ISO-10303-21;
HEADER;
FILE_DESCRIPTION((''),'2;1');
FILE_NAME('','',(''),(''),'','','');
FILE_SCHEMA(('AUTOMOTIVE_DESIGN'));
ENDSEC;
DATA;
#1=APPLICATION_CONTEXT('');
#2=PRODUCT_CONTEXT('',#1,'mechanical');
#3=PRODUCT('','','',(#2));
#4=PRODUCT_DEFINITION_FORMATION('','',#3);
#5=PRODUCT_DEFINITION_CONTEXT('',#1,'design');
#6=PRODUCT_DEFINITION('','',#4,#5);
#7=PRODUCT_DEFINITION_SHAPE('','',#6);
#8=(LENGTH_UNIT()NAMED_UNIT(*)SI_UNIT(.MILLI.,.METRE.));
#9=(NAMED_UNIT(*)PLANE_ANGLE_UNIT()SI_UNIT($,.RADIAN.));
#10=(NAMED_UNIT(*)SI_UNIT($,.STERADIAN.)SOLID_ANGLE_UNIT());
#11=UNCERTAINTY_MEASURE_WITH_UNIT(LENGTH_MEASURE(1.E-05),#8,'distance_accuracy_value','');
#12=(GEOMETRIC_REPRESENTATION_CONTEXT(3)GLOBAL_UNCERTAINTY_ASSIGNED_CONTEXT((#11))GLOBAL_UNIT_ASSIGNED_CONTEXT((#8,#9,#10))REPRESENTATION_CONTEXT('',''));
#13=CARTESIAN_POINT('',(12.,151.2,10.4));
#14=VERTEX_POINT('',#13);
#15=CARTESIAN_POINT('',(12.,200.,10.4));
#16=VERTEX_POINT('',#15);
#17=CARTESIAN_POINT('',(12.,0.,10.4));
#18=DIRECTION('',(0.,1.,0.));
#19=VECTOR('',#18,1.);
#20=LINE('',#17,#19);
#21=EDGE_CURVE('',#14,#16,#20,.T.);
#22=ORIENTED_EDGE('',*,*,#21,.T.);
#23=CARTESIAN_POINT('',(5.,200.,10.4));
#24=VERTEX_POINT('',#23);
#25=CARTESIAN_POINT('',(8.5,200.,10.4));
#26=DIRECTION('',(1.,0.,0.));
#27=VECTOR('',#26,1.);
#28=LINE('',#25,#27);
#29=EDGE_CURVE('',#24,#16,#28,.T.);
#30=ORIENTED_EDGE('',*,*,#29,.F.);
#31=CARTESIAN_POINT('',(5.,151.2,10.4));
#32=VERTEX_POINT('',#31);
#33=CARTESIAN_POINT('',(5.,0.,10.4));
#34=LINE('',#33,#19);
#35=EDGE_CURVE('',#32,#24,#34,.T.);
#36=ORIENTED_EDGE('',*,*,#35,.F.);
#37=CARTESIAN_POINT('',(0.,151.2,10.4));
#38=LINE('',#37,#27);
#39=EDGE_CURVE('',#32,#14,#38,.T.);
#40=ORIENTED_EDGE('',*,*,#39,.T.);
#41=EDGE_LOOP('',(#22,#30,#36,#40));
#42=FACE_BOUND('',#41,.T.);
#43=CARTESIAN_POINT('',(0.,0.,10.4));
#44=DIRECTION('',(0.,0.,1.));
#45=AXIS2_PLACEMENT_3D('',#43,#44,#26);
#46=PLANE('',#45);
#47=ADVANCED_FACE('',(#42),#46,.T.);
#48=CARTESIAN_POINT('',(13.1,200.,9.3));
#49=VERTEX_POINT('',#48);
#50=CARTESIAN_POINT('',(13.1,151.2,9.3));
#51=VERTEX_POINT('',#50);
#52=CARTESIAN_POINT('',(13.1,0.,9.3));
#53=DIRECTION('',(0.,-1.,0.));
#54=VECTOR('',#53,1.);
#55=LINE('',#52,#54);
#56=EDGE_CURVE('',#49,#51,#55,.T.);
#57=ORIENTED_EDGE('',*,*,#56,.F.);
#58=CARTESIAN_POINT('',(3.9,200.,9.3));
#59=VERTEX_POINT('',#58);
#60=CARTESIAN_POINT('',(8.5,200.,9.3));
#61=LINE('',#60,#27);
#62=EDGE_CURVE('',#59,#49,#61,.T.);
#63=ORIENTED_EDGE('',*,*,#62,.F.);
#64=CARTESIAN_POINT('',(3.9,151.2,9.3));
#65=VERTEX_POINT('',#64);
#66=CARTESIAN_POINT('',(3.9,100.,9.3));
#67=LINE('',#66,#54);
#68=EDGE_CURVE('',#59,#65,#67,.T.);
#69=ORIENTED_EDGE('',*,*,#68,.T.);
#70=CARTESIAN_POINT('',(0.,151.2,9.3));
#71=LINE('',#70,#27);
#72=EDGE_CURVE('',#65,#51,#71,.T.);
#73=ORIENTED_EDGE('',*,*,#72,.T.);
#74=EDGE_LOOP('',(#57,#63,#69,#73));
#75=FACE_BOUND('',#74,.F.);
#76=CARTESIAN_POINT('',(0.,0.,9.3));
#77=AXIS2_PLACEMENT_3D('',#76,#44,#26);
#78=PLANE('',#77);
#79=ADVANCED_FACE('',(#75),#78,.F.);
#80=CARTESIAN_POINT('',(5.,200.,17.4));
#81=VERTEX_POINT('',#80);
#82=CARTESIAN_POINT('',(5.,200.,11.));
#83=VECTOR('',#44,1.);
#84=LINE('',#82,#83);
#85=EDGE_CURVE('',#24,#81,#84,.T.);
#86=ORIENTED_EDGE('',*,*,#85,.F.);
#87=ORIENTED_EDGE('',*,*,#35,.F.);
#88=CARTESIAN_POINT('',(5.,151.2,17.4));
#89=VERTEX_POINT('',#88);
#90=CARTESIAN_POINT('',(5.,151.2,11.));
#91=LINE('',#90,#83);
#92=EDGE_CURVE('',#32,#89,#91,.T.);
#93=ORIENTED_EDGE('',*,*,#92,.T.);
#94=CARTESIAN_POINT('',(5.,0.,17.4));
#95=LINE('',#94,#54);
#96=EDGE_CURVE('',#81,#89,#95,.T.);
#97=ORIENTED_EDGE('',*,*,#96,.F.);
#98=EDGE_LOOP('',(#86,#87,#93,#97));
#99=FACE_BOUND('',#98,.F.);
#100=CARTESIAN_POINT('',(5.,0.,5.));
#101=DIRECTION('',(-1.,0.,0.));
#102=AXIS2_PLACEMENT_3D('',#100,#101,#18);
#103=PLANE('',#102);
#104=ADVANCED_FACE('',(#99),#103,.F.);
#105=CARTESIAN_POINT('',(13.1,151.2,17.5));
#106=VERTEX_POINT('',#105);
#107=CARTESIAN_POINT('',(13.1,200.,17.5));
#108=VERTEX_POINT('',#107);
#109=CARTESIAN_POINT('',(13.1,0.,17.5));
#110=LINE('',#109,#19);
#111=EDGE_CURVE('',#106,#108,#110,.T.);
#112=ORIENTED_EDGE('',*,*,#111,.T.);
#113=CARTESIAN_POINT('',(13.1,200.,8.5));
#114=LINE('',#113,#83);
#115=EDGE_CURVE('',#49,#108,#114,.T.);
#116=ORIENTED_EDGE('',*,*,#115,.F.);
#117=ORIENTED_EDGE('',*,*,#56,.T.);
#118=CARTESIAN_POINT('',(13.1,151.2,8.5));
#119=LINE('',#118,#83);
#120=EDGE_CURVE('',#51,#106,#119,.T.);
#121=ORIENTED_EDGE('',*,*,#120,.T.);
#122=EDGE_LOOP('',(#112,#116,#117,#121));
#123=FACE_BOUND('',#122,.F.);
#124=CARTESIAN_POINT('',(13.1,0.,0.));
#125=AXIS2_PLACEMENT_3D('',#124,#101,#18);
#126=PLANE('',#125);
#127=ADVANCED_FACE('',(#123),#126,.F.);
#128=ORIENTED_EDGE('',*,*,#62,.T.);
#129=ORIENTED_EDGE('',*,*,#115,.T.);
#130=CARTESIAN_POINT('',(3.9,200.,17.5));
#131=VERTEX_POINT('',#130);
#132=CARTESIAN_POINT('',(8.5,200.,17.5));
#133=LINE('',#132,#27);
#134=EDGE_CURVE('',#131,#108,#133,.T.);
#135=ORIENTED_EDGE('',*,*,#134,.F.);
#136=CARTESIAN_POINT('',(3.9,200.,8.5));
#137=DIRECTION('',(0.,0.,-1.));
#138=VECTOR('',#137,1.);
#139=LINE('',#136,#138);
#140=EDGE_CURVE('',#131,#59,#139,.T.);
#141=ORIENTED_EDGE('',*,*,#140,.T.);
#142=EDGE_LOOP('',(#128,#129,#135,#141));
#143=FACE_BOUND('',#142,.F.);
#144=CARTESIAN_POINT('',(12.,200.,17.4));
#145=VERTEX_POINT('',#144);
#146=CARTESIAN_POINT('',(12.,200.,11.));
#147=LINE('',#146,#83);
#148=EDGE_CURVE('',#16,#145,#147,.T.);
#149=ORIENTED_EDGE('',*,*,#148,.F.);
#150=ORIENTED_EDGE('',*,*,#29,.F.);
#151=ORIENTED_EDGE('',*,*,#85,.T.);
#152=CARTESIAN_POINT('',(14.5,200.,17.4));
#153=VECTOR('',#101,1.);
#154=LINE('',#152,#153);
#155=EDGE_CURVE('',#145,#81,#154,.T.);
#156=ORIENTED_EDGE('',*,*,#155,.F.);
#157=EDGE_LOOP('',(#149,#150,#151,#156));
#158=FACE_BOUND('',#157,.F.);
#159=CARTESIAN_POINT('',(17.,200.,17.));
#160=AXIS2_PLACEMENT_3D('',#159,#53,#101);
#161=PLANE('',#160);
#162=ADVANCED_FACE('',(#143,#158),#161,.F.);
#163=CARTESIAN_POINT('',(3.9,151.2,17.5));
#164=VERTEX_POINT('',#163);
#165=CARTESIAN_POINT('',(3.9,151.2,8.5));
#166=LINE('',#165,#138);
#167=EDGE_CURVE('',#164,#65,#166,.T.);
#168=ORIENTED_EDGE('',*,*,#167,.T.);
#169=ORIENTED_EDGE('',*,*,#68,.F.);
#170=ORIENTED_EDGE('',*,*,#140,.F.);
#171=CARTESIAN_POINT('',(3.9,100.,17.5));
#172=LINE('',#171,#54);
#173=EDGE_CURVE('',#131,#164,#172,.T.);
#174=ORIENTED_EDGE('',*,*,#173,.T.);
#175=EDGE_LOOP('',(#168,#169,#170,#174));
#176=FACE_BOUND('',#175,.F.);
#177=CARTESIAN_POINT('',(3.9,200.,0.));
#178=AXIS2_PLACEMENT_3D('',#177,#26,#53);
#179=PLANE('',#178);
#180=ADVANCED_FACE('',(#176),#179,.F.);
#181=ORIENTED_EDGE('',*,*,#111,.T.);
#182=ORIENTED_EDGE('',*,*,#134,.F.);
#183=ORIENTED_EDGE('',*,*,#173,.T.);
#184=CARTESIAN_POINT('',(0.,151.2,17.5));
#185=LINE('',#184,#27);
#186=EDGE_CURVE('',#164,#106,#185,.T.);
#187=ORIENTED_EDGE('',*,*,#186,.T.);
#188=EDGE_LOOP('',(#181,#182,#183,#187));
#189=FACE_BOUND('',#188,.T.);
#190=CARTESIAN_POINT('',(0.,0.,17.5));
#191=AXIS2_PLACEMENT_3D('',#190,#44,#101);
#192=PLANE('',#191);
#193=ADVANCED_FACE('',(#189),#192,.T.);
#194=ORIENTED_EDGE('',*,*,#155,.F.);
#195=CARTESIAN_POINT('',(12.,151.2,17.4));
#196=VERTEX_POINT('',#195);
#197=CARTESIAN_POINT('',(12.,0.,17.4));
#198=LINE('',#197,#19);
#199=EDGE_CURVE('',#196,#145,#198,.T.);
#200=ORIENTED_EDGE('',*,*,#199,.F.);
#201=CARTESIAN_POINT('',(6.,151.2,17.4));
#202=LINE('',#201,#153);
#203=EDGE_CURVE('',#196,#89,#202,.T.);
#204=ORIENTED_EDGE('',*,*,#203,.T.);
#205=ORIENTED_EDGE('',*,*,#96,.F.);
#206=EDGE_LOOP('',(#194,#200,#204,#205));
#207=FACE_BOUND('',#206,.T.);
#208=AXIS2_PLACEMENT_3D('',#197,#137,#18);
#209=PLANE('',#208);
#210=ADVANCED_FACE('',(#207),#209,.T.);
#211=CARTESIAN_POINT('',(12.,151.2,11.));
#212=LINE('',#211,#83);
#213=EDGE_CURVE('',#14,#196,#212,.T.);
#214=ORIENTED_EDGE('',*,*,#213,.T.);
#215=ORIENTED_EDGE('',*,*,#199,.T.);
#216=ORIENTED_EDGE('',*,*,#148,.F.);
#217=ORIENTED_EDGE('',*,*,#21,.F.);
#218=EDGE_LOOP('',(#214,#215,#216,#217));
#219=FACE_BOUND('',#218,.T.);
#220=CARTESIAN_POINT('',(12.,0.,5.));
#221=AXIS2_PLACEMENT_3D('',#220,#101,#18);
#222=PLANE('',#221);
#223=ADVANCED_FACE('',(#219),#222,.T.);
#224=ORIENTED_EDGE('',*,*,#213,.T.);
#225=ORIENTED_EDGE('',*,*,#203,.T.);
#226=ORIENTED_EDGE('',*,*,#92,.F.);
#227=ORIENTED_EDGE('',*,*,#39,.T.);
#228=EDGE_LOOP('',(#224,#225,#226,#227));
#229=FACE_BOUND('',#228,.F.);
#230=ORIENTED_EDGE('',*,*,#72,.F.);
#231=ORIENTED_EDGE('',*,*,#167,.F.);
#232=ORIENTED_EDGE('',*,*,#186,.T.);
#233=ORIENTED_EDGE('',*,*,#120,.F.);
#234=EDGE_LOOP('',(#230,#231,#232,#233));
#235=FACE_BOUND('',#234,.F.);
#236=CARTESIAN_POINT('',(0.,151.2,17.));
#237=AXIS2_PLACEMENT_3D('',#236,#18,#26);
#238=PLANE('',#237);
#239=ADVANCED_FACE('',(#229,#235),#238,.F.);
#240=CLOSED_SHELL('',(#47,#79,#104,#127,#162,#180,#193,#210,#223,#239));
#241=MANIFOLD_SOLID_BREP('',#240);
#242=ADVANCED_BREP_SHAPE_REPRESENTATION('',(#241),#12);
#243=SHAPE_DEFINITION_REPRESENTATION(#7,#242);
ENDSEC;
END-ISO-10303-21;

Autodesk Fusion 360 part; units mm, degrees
sketch "Sketch1" plane through (0, 0, 0) normal (0, 0, 1) x (1, 0, 0)
  line L0 (0, 0) -> (17, 0)
  line L1 (17, 0) -> (17, 200)
  line L2 (17, 200) -> (0, 200)
  line L3 (0, 200) -> (0, 0)
  line L4 (5, 0) -> (5, 200)
  line L5 (12, 0) -> (12, 200)
  dimension "d1" = 17
  dimension "d2" = 200
  dimension "d3" = 200
  dimension "d4" = 7
  dimension "d5" = 200
extrude "Extrude1" add sketch "Sketch1" along normal blind 5
sketch "Sketch2" plane through (0, 0, 5) normal (0, 0, 1) x (-1, 0, 0)
  line L0 (0, -200) -> (0, 0)
  line L1 (0, 0) -> (-17, 0)
  line L2 (-17, 0) -> (-17, -200)
  line L3 (-17, -200) -> (0, -200)
  line L4 (-5, 0) -> (-5, -200)
  line L5 (-12, 0) -> (-12, -200)
  dimension "d8" = 5
  dimension "d9" = 7
  dimension "d10" = 200
  dimension "d11" = 200
extrude "Extrude2" add sketch "Sketch2" along normal blind 12 contours L0 L1 L3 L4 | L1 L2 L3 L5
sketch "Sketch3" plane through (12, 0, 0) normal (-1, 0, 0) x (0, -1, 0)
  line L0 (-200, 5) -> (0, 5)
  line L1 (0, 5) -> (0, 17)
  line L2 (0, 17) -> (-200, 17)
  line L3 (-200, 17) -> (-200, 5)
  line L4 (0, 17) -> (0, 12)
  line L5 (0, 12) -> (-200, 12)
  dimension "d14" = 200
extrude "Extrude3" add sketch "Sketch3" along normal blind 7 contours L1 L2 L3 L4 L5
move_face "OffsetFaces1" offset -0.5 4 faces at (12, 133.3333, 9.6667) (9.6667, 66.6667, 12) (5, 133.3333, 9.6667) (7.3333, 133.3333, 5)
sketch "Sketch4" plane through (0, 0, 17) normal (0, 0, 1) x (-1, 0, 0)
  line L0 (-17, -200) -> (0, -200)
  line L1 (0, -200) -> (0, 0)
  line L2 (0, 0) -> (-17, 0)
  line L3 (-17, 0) -> (-17, -200)
  line L4 (25, 0) -> (25, -200)
  line L5 (-42, 0) -> (-42, -200)
  line L6 (25, -200) -> (-42, -200)
  line L7 (25, 0) -> (-42, 0)
  dimension "d18" = 25
  dimension "d19" = 25
extrude "Extrude4" add sketch "Sketch4" along normal blind 2.5
move_face "OffsetFaces2" offset -3 3 faces at (17, 133.3333, 11.3333) (5.6667, 133.3333, 0) (0, 133.3333, 5.6667)
move_face "MoveFace1" by (0, 0, 3) 4 faces at (9.8333, 66.6667, 12.5) (4.5, 133.3333, 9.8333) (7.1667, 133.3333, 4.5) (12.5, 133.3333, 9.8333)
extrude "Extrude5" cut 1 faces at (6.6667, 133.3333, 3) along direction (0, 0, 1) blind 3
extrude "Extrude6" cut 1 faces at (19.6667, 133.3333, 19.5) along direction (0, 0, -1) blind 1
move_face "OffsetFaces3" offset 0.5 4 faces at (12.5, 133.3333, 12.8333) (7.1667, 133.3333, 7.5) (9.8333, 66.6667, 15.5) (4.5, 133.3333, 12.8333)
move_face "OffsetFaces4" offset 1 4 faces at (5, 133.3333, 12.6667) (7.3333, 133.3333, 8) (12, 133.3333, 12.6667) (7.3333, 66.6667, 15)
move_face "OffsetFaces5" offset -0.5 4 faces at (11, 133.3333, 12.3333) (9.3333, 66.6667, 14) (6, 133.3333, 12.3333) (7.6667, 133.3333, 9)
move_face "OffsetFaces6" offset -0.5 3 faces at (14, 66.6667, 9.6667) (6.6667, 133.3333, 6) (3, 66.6667, 13.3333)
move_face "OffsetFaces7" offset -0.5 3 faces at (13.5, 66.6667, 10) (6.8333, 133.3333, 6.5) (3.5, 66.6667, 13.5)
move_face "OffsetFaces8" offset -0.5 3 faces at (13, 66.6667, 10.3333) (7, 133.3333, 7) (4, 66.6667, 13.6667)
move_face "MoveFace2" by (0, 0, 3) 4 faces at (11.5, 133.3333, 12.5) (7.5, 66.6667, 14.5) (7.5, 133.3333, 8.5) (5.5, 133.3333, 12.5)
move_face "OffsetFaces9" offset -3 1 faces at (7.1667, 133.3333, 7.5)
move_face "OffsetFaces10" offset -0.5 2 faces at (32.1667, 133.3333, 17) (-5.3333, 66.6667, 17)
extrude "Extrude7" add 1 faces at (7.1667, 133.3333, 10.5) along direction (0, 0, -1) blind 0.5
move_face "MoveFace3" by (0, 0, -0.5) 4 faces at (11.5, 66.6667, 13.5) (7.5, 66.6667, 17.5) (5.5, 66.6667, 13.5) (7.5, 133.3333, 11.5)
move_face "OffsetFaces11" offset -4.5 1 faces at (42, 66.6667, 17.8333)
move_face "OffsetFaces12" offset -4.5 1 faces at (-25, 66.6667, 17.8333)
move_face "OffsetFaces13" offset 50 1 faces at (7.1667, 0, 18.1667)
move_face "OffsetFaces14" offset -0.5 4 faces at (11.5, 116.6667, 15) (7.5, 116.6667, 11) (5.5, 116.6667, 15) (9.5, 33.3333, 17)
move_face "OffsetFaces15" offset 0.5 3 faces at (12.5, 33.3333, 12.5) (7.1667, 116.6667, 10) (4.5, 116.6667, 15)
move_face "OffsetFaces16" offset 0.5 1 faces at (10, 33.3333, 9.5)
move_face "MoveFace4" by (0, 0, -0.5) 4 faces at (12, 33.3333, 15.1667) (9.6667, 33.3333, 10.5) (5, 33.3333, 15.1667) (7.3333, 116.6667, 17.5)
move_face "OffsetFaces17" offset 0.5 4 faces at (12, 33.3333, 14.6667) (7.3333, 116.6667, 17) (5, 33.3333, 14.6667) (9.6667, 33.3333, 10)
move_face "MoveFace5" by (0, 0, 0.5) 4 faces at (5.5, 116.6667, 14.5) (7.5, 116.6667, 10.5) (11.5, 116.6667, 14.5) (9.5, 33.3333, 16.5)
move_face "OffsetFaces18" offset -0.5 1 faces at (10, 33.3333, 9)
move_face "OffsetFaces19" offset -0.02 1 faces at (7.5, 116.6667, 11)
move_face "OffsetFaces20" offset -0.2 2 faces at (11.5, 116.6667, 14.9933) (5.5, 116.6667, 14.9933)
move_face "OffsetFaces21" offset -0.18 2 faces at (9.5667, 33.3333, 17) (7.4333, 116.6667, 10.98)
move_face "OffsetFaces22" offset 0.18 1 faces at (9.5667, 33.3333, 17.18)
move_face "OffsetFaces23" offset 0.1 2 faces at (11.7, 33.3333, 12.8667) (5.3, 33.3333, 12.8667)
move_face "OffsetFaces24" offset 0.1 2 faces at (13, 116.6667, 14.8333) (4, 33.3333, 12.1667)
move_face "OffsetFaces25" offset 0.2 1 faces at (6.9667, 116.6667, 9.5)
move_face "OffsetFaces26" offset -1 1 faces at (18.1667, 116.6667, 18.5)
move_face "OffsetFaces27" offset -202.2 1 faces at (7.4667, -50, 9.8)
move_face "OffsetFaces28" offset 1 1 faces at (7.4667, 152.2, 9.8)
move_face "OffsetFaces29" offset -0.4 4 faces at (11.6, 167.4667, 12.8667) (9.5333, 183.7333, 17) (5.4, 167.4667, 12.8667) (7.4667, 183.7333, 10.8)
